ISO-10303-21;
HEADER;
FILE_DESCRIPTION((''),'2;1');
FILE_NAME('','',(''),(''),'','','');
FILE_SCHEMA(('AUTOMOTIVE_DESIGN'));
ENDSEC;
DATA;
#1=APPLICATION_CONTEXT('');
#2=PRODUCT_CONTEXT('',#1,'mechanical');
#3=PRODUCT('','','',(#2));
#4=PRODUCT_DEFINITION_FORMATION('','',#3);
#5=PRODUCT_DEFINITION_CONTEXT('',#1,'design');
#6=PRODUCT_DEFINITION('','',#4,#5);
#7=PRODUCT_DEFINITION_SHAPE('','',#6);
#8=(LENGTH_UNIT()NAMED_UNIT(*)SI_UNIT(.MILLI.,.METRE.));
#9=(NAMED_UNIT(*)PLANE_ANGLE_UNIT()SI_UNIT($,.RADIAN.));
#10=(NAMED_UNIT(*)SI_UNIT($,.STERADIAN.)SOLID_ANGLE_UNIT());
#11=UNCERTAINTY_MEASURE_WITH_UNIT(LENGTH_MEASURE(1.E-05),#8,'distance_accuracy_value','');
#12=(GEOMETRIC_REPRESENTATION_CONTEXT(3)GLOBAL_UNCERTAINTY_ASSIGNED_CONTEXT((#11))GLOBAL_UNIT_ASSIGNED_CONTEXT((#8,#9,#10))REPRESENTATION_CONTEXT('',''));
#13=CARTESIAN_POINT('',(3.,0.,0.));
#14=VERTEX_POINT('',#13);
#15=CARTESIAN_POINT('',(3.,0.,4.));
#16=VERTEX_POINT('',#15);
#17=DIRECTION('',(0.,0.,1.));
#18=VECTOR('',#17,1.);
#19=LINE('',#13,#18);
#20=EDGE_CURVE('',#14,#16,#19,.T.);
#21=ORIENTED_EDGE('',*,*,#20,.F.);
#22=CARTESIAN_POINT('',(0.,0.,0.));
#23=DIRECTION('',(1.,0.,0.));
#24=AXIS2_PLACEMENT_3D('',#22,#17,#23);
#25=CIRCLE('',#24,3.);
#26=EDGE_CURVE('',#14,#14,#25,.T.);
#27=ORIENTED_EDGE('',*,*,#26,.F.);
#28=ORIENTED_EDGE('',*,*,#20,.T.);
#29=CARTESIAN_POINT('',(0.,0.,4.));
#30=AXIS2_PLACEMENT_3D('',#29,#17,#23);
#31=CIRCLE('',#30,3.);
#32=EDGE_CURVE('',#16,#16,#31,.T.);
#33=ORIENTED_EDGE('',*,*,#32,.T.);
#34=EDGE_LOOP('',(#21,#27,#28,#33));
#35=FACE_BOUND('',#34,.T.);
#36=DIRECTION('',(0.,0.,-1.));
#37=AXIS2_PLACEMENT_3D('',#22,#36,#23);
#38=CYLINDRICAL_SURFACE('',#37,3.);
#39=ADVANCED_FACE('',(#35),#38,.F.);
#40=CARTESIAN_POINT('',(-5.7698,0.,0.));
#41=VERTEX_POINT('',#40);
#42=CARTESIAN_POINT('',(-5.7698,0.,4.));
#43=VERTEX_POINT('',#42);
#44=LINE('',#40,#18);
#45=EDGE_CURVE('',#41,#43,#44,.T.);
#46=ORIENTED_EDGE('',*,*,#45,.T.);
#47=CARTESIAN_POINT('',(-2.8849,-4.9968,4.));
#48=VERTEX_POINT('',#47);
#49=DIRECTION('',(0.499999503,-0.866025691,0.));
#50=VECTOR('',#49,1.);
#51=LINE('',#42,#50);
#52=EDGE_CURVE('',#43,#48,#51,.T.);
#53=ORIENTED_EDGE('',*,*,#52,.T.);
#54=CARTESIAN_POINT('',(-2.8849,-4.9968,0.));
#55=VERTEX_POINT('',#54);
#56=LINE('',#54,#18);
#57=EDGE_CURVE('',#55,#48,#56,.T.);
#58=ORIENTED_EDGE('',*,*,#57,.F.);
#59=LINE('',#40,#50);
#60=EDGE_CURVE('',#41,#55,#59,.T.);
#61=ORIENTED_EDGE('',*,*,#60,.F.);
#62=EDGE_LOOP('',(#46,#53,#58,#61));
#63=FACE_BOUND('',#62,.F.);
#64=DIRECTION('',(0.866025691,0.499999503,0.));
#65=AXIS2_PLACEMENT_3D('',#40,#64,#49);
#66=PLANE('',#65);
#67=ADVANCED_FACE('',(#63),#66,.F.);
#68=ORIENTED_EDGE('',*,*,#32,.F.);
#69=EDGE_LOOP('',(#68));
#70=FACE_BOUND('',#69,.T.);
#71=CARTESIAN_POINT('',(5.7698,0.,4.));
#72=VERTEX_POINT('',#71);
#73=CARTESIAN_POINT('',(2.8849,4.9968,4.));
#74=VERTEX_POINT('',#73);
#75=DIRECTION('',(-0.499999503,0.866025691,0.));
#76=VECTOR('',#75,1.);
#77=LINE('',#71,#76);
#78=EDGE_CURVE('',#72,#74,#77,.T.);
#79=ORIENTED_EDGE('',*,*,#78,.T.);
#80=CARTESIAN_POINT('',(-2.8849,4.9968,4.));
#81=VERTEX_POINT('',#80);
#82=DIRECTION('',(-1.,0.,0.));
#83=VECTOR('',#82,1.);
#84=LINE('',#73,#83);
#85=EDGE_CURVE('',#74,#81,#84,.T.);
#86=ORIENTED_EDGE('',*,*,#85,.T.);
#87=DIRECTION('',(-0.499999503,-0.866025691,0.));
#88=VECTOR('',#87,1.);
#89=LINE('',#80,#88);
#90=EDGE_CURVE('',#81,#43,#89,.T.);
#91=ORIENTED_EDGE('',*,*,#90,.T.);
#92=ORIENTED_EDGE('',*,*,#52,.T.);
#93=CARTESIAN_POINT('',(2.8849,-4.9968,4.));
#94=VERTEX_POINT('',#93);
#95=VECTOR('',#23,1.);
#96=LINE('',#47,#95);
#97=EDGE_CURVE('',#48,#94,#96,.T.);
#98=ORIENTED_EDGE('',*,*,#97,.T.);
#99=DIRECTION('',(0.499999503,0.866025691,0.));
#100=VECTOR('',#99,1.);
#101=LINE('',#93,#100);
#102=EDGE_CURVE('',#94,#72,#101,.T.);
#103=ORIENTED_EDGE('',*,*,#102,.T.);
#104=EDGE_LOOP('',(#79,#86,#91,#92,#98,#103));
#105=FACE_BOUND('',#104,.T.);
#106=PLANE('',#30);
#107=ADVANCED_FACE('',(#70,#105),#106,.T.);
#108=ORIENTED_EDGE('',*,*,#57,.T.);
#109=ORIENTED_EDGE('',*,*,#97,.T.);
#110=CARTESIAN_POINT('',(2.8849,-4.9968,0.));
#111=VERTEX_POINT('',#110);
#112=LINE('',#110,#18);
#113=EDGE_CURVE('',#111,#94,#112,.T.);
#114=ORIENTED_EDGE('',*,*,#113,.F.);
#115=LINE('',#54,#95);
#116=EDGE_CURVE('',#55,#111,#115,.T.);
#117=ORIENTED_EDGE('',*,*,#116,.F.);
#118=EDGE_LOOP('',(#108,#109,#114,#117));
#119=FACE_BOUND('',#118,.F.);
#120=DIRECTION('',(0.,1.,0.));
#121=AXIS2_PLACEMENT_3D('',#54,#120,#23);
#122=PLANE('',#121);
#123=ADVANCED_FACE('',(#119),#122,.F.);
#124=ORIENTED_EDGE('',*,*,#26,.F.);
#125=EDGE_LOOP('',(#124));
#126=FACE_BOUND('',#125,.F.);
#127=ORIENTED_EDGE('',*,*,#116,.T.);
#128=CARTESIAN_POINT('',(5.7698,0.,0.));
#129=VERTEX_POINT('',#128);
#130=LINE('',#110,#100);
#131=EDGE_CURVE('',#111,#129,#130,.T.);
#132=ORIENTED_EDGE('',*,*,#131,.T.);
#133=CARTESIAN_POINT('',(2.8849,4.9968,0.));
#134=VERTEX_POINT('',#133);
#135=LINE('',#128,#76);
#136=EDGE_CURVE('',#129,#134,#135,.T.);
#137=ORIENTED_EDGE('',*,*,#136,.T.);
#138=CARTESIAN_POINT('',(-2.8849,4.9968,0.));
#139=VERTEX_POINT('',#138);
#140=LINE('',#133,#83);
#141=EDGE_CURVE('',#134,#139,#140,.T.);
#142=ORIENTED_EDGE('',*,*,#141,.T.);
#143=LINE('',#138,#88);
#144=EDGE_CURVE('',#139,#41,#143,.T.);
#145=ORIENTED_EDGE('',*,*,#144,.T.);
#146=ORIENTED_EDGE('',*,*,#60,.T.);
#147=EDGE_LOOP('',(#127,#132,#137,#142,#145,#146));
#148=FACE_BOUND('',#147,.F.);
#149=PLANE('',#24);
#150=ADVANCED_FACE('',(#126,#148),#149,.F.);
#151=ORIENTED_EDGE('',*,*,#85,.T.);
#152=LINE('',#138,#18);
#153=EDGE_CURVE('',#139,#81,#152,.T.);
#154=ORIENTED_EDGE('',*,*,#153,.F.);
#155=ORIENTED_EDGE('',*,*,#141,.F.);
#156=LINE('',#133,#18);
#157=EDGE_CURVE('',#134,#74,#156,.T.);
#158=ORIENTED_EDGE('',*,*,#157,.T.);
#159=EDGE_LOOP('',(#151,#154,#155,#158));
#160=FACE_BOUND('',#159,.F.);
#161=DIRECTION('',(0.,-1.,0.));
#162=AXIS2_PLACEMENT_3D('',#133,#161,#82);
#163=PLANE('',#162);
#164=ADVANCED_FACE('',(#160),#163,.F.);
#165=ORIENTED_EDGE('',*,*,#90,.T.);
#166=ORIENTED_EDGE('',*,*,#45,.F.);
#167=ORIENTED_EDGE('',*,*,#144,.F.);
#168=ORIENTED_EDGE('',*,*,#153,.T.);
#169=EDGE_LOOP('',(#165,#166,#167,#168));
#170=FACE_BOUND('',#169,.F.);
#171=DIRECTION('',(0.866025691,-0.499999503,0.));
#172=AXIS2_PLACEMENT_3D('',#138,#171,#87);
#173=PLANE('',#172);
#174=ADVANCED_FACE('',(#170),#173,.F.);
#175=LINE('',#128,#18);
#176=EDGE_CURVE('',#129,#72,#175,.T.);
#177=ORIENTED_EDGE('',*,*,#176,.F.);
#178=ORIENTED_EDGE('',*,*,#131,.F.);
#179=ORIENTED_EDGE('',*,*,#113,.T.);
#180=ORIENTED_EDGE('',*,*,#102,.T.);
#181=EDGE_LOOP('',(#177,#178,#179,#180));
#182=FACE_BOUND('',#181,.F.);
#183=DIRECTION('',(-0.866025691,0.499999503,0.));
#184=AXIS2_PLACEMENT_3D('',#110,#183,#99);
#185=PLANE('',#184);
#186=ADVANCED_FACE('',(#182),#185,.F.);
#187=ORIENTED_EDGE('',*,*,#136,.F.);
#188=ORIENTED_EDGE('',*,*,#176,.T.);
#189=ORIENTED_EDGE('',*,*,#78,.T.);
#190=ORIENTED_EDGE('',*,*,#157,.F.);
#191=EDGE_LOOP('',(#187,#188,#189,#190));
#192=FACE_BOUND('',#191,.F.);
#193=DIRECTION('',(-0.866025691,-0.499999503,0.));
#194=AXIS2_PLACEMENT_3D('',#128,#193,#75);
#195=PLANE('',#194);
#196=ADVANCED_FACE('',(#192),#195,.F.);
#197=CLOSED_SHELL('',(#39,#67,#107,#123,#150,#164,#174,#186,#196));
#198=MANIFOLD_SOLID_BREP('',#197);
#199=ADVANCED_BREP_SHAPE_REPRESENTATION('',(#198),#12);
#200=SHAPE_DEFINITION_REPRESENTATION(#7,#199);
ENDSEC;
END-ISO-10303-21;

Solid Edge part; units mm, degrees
sketch "Sketch1" plane through (0, 0, 0) normal (0, 0, 1) x (1, 0, 0)
  line L0 (-2.8849, 4.9968) -> (-5.7698, 0)
  line L1 (-5.7698, 0) -> (-2.8849, -4.9968)
  line L2 (-2.8849, -4.9968) -> (2.8849, -4.9968)
  line L3 (2.8849, -4.9968) -> (5.7698, 0)
  line L4 (5.7698, 0) -> (2.8849, 4.9968)
  line L5 (2.8849, 4.9968) -> (-2.8849, 4.9968)
  circle A0 centre (0, 0) radius 3
extrude "Protrusion1" add sketch "Sketch1" along normal blind 4
properties material "Steel"
